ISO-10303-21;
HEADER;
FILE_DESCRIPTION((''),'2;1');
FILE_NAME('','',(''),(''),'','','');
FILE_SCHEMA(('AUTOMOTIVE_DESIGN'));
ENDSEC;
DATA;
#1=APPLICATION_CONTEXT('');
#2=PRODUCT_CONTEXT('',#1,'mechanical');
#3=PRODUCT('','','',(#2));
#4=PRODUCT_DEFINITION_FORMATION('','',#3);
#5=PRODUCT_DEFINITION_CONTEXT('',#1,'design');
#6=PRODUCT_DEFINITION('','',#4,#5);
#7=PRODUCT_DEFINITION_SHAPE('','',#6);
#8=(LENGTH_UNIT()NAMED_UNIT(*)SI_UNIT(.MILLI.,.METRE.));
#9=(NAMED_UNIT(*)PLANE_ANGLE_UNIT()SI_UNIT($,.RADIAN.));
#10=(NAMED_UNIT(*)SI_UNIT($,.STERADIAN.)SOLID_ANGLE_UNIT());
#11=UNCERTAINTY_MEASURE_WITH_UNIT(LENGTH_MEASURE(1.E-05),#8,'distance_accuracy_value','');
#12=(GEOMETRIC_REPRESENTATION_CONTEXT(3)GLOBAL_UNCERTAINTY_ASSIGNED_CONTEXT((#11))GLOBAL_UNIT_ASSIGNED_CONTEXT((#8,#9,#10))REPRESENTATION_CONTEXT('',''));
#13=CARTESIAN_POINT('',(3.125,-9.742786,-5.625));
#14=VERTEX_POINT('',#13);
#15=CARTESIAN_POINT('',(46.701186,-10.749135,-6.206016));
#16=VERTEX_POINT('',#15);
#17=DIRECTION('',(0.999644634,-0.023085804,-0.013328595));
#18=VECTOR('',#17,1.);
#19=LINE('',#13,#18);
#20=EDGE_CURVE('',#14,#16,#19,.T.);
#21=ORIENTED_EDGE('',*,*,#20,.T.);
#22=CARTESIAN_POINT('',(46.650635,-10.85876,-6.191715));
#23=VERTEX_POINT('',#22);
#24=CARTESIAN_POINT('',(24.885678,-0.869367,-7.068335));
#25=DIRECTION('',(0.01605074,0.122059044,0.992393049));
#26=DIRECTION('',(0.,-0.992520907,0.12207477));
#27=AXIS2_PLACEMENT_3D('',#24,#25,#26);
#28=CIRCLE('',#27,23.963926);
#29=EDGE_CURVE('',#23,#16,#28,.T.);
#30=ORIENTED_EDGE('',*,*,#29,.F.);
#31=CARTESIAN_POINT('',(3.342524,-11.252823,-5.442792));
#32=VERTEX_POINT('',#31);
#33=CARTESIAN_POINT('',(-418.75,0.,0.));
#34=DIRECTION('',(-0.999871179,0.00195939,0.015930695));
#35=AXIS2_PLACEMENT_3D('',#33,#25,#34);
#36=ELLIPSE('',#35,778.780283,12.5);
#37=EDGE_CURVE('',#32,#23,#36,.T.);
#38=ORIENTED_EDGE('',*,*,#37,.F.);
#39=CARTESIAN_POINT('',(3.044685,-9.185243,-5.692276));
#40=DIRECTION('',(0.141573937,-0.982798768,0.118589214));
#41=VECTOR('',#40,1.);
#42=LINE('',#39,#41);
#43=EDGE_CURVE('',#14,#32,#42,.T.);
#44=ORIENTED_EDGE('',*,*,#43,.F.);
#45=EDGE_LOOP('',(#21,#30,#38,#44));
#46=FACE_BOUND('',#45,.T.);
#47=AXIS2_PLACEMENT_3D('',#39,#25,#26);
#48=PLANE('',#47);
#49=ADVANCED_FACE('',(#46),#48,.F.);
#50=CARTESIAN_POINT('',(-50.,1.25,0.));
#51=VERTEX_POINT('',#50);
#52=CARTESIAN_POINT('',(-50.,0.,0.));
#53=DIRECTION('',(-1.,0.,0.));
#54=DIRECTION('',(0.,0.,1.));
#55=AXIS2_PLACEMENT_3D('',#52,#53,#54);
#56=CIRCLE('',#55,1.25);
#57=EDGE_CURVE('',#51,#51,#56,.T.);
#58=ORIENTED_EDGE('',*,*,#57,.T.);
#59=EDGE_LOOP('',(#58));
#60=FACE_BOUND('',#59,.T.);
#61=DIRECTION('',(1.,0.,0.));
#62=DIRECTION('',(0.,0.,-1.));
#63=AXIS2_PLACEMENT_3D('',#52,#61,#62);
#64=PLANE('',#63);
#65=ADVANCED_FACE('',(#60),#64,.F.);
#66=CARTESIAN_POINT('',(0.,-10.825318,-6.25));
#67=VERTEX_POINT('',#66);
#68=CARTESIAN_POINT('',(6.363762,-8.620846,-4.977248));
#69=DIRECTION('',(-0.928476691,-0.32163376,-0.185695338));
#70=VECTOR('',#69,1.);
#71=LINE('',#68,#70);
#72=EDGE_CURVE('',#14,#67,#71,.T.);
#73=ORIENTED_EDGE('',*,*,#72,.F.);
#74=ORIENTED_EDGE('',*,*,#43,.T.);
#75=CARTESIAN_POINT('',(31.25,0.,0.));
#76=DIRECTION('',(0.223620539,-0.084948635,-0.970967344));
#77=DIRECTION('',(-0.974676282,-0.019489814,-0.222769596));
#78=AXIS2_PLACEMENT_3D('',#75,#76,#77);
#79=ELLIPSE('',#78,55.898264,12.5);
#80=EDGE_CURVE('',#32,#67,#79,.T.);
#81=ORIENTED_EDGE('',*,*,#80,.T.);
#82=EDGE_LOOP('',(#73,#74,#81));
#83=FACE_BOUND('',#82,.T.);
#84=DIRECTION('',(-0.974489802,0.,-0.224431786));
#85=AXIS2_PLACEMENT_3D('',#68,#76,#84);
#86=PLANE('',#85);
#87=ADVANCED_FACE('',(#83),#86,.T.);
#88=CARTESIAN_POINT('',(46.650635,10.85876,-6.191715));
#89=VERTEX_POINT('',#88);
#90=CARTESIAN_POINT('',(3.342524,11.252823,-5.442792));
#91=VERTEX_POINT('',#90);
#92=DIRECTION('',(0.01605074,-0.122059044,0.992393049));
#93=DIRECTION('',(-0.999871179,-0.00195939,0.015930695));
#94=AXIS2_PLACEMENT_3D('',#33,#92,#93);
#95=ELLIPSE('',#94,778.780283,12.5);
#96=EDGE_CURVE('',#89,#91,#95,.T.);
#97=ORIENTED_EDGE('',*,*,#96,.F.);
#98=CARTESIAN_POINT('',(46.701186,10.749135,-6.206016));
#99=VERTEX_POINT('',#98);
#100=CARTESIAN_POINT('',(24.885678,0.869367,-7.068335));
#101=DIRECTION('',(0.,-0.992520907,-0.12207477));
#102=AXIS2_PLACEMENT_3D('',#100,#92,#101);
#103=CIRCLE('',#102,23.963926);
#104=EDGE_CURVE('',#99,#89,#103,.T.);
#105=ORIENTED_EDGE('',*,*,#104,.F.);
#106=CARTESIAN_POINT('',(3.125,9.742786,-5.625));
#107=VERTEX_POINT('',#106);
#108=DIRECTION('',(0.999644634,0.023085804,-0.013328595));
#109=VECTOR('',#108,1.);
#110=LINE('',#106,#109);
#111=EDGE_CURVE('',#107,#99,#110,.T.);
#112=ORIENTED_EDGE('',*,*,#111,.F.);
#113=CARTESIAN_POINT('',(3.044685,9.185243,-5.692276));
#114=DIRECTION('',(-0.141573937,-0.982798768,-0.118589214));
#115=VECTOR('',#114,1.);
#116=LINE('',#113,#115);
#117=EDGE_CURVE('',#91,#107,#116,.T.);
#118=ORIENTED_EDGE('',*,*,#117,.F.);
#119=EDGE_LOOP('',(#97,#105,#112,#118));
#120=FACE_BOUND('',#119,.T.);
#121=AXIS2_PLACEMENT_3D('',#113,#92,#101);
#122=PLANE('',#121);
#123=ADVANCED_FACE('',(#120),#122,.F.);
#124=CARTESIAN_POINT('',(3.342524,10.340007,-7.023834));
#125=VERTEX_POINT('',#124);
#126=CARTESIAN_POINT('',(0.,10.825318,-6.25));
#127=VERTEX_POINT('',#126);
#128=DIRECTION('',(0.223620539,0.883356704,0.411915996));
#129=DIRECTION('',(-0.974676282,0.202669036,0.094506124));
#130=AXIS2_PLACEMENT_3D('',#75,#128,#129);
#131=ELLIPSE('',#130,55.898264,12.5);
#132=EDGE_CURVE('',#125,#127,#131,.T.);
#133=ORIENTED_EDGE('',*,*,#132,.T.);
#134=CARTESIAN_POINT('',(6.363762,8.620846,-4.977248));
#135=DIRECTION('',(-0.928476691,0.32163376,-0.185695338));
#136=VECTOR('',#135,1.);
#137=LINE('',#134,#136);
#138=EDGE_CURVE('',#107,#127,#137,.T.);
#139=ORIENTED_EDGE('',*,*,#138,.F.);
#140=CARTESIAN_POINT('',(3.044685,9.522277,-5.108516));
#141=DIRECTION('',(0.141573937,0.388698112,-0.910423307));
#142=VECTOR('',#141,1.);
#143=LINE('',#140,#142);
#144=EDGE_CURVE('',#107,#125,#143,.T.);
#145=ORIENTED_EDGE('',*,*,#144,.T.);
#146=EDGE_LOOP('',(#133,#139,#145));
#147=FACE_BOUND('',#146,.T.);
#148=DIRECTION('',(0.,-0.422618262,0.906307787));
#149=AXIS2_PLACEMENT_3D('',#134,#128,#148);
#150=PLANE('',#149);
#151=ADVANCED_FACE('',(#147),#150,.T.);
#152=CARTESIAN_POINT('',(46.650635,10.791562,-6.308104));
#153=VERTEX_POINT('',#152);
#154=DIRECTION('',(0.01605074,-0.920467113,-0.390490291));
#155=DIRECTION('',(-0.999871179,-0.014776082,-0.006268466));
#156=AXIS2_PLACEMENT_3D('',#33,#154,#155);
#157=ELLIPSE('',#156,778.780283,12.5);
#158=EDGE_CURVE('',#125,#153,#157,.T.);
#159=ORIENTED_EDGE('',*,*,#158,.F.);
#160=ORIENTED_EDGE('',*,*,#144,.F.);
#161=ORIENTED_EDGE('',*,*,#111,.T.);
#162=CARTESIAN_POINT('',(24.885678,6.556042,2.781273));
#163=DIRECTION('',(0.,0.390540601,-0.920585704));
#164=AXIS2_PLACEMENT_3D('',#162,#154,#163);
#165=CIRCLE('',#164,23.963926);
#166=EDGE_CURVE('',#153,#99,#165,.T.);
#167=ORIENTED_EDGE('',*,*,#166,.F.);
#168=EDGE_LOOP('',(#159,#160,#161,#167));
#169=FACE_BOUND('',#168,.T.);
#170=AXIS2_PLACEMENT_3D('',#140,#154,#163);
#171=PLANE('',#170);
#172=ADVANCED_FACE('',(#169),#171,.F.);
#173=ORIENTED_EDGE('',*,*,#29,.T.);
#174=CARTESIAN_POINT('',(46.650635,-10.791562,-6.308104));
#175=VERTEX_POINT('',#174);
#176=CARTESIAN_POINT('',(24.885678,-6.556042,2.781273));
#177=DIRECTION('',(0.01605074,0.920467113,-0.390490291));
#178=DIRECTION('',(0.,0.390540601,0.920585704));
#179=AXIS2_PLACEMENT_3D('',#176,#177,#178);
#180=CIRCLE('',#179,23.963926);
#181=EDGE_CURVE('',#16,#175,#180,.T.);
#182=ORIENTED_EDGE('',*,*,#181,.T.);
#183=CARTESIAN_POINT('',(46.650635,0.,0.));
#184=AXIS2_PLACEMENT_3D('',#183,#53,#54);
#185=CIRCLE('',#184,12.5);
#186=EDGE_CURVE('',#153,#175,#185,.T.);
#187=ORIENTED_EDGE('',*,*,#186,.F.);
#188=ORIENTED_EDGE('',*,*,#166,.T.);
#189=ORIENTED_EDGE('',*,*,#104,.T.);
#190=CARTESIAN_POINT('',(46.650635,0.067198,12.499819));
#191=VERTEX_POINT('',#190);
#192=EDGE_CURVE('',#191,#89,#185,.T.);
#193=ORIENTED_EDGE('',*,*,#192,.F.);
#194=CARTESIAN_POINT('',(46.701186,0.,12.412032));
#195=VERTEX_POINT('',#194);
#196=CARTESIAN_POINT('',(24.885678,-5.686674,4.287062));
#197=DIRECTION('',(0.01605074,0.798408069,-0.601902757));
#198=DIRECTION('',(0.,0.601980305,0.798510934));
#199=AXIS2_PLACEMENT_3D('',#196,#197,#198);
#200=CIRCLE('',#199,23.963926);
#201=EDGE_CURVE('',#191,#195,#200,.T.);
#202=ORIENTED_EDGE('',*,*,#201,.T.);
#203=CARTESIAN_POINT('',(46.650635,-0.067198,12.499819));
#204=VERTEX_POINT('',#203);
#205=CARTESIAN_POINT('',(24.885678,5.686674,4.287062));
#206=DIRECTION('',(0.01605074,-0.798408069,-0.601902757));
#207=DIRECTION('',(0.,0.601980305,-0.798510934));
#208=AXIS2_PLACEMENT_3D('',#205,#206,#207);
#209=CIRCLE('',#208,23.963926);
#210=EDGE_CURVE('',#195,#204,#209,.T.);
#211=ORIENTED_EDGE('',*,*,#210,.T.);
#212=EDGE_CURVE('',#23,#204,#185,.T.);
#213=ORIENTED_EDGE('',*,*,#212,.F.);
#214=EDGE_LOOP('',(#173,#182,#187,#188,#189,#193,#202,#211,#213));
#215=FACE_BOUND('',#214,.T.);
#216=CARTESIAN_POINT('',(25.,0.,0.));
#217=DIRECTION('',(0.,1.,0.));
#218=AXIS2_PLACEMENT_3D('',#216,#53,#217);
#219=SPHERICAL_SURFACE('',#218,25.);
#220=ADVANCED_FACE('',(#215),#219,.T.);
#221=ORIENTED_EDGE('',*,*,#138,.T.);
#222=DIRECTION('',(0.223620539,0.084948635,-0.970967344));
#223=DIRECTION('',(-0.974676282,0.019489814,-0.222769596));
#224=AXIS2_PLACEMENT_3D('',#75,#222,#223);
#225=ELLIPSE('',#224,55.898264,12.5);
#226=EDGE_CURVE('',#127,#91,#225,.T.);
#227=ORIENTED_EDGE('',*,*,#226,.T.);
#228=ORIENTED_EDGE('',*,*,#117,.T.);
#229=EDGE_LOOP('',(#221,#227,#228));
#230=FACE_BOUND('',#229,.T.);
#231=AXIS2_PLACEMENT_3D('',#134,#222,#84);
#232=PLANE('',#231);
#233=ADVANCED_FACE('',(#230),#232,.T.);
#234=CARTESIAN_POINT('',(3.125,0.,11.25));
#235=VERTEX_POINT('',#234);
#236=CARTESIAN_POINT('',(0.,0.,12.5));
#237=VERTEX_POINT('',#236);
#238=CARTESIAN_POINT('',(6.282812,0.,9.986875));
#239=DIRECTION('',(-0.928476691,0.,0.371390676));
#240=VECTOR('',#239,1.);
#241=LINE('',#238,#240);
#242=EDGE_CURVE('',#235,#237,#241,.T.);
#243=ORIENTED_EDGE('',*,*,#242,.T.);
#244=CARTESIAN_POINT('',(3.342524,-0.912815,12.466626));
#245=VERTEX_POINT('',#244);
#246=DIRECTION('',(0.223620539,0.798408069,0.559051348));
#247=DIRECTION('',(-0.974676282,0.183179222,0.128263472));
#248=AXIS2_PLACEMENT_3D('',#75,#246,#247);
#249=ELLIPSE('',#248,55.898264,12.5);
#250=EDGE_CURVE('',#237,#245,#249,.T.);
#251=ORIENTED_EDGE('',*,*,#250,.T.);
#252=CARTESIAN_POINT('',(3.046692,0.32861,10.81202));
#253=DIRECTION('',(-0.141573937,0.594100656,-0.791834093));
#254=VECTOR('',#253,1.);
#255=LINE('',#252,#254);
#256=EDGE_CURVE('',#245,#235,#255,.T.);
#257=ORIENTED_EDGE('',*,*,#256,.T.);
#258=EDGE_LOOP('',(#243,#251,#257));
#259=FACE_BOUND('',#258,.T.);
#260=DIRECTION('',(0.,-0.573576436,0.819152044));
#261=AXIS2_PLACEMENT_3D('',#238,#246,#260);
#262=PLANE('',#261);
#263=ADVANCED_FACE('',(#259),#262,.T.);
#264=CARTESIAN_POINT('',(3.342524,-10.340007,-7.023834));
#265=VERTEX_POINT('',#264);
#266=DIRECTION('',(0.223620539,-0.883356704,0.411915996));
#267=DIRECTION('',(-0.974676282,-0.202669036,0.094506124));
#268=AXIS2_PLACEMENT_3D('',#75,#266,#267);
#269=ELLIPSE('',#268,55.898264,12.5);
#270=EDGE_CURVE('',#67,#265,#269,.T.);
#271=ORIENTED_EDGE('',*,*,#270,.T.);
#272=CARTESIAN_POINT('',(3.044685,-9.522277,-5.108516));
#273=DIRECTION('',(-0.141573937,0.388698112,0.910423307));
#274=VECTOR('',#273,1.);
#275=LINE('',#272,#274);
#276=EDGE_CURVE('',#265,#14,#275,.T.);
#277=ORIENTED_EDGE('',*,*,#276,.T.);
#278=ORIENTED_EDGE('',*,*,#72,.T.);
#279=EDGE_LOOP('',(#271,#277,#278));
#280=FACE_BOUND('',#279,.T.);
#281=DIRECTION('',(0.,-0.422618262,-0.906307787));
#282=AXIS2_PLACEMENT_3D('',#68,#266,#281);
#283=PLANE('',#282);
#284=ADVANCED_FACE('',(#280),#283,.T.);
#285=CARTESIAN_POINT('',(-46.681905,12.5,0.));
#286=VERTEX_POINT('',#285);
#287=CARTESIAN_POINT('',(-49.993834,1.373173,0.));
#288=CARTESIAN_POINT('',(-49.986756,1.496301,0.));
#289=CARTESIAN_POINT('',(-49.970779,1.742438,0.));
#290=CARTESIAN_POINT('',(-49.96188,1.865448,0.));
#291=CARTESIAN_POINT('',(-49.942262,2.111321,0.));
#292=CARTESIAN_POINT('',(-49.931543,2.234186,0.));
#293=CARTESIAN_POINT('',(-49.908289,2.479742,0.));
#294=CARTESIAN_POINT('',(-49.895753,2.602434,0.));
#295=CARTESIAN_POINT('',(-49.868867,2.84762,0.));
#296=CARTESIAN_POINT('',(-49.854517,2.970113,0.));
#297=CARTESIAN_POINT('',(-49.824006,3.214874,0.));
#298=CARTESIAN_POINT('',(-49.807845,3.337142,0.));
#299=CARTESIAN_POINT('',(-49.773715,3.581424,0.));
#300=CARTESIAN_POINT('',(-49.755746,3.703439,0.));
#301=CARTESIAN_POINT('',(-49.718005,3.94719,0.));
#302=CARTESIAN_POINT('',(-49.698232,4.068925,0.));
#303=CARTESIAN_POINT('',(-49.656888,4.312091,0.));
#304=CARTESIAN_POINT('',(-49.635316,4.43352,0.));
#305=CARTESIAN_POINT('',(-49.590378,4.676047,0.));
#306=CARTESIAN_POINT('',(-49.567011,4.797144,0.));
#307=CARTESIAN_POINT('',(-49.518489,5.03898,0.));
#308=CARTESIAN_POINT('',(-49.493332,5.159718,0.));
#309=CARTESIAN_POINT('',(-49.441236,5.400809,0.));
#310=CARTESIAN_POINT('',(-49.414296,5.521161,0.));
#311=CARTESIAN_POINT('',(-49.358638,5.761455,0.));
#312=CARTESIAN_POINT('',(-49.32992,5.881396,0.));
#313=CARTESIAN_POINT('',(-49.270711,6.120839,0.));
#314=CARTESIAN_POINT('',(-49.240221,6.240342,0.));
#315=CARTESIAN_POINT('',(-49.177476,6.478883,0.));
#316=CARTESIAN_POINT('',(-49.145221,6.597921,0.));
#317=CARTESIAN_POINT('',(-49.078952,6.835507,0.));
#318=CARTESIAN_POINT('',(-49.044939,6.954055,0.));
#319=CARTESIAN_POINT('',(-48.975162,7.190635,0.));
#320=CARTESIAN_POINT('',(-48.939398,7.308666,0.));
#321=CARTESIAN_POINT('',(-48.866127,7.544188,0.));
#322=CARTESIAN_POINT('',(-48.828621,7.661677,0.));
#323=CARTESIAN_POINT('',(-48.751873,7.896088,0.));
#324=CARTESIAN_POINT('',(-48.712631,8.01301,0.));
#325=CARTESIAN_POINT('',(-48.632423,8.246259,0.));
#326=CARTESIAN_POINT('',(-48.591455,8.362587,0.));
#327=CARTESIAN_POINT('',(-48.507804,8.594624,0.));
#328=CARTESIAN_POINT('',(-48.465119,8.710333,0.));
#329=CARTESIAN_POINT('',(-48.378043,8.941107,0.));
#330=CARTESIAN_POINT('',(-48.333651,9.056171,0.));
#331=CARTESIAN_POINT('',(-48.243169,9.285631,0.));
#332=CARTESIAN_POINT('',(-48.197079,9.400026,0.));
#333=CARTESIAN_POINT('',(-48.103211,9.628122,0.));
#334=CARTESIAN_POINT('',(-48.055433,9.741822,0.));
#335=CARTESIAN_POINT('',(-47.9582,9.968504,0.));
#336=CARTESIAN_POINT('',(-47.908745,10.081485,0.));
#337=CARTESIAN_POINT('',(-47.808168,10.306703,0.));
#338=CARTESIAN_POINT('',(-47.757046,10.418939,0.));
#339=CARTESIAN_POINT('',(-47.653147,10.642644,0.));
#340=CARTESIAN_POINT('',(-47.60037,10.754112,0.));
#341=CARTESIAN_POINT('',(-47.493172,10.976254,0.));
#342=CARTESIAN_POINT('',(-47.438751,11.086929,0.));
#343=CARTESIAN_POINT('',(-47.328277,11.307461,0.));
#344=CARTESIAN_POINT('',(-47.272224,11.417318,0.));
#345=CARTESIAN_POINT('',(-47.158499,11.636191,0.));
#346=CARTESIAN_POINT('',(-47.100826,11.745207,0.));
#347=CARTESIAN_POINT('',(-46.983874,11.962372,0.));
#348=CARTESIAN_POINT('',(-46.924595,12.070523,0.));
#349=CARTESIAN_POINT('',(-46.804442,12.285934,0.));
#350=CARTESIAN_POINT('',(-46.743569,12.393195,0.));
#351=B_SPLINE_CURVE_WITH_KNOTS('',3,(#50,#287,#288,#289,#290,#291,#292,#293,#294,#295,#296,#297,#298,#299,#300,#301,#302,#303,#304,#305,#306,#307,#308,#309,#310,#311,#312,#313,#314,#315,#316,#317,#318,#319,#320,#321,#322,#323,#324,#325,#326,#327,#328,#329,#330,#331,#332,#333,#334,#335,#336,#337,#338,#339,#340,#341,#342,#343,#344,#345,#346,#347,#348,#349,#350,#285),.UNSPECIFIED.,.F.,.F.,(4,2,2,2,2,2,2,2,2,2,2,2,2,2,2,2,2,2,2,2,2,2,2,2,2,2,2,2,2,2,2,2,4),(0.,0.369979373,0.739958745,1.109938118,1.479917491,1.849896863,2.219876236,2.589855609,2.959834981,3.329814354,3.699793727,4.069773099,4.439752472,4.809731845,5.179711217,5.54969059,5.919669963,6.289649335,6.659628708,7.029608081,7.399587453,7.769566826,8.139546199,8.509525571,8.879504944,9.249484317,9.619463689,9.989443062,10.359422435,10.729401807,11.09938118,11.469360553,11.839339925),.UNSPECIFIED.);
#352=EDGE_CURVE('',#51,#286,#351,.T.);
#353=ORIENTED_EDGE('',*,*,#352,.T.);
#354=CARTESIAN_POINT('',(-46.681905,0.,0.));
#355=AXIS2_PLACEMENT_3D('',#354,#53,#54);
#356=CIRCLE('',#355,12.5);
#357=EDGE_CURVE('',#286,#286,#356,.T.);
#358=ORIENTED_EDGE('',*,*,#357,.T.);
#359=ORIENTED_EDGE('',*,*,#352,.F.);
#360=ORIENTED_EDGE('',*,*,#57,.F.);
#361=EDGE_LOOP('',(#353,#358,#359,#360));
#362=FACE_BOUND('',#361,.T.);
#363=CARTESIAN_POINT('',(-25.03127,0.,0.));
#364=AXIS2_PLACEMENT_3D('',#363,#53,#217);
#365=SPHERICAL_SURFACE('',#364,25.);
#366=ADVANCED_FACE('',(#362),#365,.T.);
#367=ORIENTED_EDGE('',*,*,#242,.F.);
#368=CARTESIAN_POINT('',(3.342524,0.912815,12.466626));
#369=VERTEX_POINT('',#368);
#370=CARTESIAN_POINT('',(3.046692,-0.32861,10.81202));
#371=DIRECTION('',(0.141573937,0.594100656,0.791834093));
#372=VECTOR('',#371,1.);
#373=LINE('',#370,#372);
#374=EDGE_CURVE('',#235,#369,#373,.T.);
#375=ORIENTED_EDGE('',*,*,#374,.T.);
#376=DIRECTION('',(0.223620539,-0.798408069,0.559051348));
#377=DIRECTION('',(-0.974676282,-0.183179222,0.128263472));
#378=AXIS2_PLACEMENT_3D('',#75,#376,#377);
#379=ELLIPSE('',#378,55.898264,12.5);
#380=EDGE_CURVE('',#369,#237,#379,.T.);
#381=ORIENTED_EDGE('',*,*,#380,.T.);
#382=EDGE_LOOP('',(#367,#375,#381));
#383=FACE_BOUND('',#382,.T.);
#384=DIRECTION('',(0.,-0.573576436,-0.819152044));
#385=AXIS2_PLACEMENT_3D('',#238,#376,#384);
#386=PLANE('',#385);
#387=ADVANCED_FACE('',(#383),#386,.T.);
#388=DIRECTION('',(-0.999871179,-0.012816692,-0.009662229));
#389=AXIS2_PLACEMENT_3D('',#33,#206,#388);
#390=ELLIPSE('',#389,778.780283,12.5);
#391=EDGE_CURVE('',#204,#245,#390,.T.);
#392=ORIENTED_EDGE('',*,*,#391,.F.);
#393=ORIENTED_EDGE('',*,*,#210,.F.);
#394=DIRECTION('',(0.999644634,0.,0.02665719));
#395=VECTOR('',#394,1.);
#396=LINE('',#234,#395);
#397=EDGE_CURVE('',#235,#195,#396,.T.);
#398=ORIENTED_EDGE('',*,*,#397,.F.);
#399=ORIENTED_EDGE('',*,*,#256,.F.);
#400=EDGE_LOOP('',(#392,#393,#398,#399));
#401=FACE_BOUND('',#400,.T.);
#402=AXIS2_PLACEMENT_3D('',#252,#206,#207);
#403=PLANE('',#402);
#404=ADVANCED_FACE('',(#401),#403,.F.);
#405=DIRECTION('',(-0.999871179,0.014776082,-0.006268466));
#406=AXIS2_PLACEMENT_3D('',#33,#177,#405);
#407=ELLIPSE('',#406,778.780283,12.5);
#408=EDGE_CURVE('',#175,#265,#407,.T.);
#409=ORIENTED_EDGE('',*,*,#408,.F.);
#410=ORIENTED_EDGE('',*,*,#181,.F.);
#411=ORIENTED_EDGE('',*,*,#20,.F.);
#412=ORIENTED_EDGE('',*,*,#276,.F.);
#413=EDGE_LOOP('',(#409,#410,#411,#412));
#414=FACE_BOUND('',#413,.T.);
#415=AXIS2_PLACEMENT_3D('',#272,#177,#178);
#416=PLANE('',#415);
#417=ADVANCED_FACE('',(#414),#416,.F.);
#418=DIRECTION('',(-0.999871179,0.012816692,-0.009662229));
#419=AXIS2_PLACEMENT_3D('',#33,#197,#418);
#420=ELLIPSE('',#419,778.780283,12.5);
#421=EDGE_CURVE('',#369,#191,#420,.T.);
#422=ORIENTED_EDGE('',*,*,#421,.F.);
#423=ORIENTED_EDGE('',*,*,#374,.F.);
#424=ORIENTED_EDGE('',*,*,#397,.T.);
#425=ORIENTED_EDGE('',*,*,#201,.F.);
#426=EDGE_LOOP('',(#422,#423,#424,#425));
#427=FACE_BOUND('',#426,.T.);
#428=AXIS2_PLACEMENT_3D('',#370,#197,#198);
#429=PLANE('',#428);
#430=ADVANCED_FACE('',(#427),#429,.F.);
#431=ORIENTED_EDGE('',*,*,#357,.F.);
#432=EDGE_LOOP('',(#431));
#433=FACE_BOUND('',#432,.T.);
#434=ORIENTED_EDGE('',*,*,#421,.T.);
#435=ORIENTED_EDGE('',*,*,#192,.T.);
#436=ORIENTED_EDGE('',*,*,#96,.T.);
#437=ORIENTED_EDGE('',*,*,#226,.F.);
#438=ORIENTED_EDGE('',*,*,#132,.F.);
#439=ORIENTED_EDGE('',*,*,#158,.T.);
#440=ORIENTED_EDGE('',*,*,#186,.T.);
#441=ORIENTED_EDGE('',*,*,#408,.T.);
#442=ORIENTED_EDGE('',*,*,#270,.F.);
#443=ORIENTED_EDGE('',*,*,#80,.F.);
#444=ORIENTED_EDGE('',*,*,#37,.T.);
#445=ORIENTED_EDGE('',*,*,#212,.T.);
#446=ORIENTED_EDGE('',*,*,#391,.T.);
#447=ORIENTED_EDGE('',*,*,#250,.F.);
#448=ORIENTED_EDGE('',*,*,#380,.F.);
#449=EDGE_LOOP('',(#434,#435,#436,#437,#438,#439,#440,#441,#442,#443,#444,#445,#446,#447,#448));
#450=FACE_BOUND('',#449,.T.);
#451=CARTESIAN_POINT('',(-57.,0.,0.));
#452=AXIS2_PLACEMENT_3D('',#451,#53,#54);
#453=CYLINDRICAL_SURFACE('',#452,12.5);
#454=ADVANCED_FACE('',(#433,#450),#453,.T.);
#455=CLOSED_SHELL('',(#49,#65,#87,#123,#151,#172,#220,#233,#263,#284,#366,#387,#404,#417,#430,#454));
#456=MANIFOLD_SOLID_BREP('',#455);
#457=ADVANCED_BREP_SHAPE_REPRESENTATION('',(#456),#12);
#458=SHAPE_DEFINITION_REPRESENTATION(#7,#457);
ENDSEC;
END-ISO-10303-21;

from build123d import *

# Parameters (mm, degrees)
CIRPATTERN1_COUNT = 3


with BuildPart() as part:
    # Sketch1 → Base-Revolve (revolve)
    with BuildSketch(Plane.XY):
        with BuildLine():
            Line((-50, 0), (-50, 1.25))
            ThreePointArc((-50, 1.25), (-49.010050505, 7.072345027), (-46.68190465, 12.5))
            Line((-46.68190465, 12.5), (46.650635095, 12.5))
            ThreePointArc((46.650635095, 12.5), (49.148145657, 6.470476128), (50, 0))
            Line((50, 0), (-50, 0))
        make_face()
    revolve(axis=Axis((-57, 0, 0), (1, 0, 0)))

    # Cut-Sweep1: sweep along a path in Sketch3
    with BuildLine(Plane(origin=(0, 0, 0), x_dir=(1, 0, 0), z_dir=(0, 1, 0))) as cut_sweep1_path:
        Line((0, -12.5), (3.125, -11.25))
        Line((3.125, -11.25), (50, -12.5))
    # Sketch2 → Cut-Sweep1 (sweep, cut)
    with BuildSketch(Plane(origin=(0, 0, 0), x_dir=(0, 0, -1), z_dir=(1, 0, 0))):
        Polygon((-12.5, 0), (-14.378358908, 1.315241067), (-14.378358908, -1.315241067), align=None)
    cut_sweep1 = sweep(path=cut_sweep1_path.line, transition=Transition.RIGHT, mode=Mode.SUBTRACT)

    # CirPattern1: Cut-Sweep1 ×3 about axis
    cirpattern1_axis = Axis((0, 0, 0), (1, 0, 0))
    for i in range(1, CIRPATTERN1_COUNT):
        add(cut_sweep1.rotate(cirpattern1_axis, i * 360 / CIRPATTERN1_COUNT), mode=Mode.SUBTRACT)


solid = part.part
